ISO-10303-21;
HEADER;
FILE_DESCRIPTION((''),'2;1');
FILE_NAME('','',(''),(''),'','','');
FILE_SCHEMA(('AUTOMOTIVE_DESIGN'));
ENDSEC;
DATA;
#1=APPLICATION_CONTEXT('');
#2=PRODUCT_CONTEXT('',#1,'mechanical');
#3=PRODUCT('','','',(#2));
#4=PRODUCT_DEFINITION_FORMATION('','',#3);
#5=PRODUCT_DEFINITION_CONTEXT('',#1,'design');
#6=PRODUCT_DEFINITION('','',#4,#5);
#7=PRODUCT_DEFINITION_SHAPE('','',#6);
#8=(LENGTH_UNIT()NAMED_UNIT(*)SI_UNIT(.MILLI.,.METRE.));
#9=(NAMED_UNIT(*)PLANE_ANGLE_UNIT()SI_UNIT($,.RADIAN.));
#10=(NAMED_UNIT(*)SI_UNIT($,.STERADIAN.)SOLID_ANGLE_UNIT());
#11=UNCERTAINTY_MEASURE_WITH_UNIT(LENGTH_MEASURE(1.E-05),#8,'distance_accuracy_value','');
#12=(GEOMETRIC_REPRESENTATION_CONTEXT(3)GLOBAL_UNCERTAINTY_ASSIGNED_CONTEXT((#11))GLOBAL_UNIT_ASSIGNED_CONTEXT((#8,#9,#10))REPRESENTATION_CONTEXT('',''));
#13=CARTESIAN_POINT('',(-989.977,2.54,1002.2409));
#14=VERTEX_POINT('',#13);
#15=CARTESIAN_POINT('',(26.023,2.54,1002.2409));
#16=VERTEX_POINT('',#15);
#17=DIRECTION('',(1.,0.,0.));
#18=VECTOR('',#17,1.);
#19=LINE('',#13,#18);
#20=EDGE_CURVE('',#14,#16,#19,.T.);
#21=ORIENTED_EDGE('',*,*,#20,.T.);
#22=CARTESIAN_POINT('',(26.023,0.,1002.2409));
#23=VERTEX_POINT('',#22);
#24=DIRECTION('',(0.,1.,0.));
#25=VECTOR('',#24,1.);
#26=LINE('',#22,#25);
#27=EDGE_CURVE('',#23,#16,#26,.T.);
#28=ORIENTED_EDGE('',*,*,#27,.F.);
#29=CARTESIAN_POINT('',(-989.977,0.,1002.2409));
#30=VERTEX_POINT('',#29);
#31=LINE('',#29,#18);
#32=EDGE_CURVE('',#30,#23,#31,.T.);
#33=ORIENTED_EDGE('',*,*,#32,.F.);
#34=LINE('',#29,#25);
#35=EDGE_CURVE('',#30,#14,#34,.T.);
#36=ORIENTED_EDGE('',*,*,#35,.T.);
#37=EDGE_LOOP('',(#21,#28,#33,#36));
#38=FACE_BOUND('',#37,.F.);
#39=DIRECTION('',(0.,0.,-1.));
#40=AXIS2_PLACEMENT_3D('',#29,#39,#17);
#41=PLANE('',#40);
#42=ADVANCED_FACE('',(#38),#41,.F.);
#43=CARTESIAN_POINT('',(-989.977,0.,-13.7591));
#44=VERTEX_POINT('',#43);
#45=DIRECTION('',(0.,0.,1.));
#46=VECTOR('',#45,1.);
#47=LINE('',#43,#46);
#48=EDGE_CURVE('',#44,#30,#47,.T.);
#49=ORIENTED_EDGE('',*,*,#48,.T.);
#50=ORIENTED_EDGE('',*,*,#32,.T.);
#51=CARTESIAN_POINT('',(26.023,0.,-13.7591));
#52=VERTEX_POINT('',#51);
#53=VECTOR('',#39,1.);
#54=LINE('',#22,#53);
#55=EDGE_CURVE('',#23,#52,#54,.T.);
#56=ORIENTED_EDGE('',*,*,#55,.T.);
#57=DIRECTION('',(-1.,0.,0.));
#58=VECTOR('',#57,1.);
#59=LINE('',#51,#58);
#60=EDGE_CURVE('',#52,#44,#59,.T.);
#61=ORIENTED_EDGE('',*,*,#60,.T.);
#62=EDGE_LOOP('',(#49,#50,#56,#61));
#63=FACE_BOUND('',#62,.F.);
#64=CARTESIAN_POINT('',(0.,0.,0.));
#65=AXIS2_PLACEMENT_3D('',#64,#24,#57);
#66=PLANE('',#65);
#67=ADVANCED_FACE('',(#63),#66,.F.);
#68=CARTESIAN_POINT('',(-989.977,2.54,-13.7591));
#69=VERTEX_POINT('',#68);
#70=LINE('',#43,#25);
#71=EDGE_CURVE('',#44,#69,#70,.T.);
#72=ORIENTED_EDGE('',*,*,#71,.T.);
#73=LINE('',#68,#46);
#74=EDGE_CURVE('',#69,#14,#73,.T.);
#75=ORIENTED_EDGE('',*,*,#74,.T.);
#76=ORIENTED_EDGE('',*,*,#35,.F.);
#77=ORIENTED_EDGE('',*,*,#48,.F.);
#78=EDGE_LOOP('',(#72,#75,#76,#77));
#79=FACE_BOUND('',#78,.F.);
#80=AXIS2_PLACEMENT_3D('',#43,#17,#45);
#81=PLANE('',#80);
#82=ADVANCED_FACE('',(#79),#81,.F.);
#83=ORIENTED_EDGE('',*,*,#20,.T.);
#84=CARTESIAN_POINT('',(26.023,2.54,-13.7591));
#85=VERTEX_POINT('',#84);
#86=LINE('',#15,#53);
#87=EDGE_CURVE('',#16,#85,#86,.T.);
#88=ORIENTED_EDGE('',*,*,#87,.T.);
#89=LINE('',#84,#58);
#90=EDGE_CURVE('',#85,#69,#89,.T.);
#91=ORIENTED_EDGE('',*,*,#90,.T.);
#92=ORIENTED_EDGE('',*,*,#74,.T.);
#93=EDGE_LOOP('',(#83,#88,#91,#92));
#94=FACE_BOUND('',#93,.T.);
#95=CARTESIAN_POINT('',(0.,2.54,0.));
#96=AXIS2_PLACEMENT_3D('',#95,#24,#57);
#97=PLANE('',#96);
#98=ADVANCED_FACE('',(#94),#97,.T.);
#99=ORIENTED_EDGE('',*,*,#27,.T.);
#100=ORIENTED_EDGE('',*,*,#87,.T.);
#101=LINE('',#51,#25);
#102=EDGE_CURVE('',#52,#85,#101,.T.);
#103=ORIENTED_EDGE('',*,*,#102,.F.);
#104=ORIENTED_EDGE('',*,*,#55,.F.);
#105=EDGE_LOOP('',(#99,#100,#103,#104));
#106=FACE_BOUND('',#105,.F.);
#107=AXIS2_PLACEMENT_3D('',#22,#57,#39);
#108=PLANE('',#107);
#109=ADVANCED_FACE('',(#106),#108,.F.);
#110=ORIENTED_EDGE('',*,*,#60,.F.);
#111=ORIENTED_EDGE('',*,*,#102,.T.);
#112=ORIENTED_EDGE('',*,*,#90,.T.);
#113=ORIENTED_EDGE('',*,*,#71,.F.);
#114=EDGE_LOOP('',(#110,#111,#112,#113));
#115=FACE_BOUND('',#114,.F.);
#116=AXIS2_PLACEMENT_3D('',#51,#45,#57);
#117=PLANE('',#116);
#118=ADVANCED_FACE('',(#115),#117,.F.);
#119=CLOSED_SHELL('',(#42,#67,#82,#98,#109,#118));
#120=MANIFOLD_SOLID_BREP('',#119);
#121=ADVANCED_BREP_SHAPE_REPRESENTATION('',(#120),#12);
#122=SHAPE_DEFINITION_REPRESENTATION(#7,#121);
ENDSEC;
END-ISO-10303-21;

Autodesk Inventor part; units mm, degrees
ref_plane "YZ Plane" through (0, 0, 0) normal (1, 0, 0) x (0, 1, 0)
ref_plane "XZ Plane" through (0, 0, 0) normal (0, 1, 0) x (-1, 0, 0)
ref_plane "XY Plane" through (0, 0, 0) normal (0, 0, 1) x (1, 0, 0)
sketch "Sketch1" plane through (0, 0, 0) normal (0, 1, 0) x (-1, 0, 0)
  line L0 (-26.023, -13.7591) -> (989.977, -13.7591)
  line L1 (989.977, -13.7591) -> (989.977, 1002.2409)
  line L2 (989.977, 1002.2409) -> (-26.023, 1002.2409)
  line L3 (-26.023, 1002.2409) -> (-26.023, -13.7591)
  point P0 (0, 0)
  dimension "d0" = 1016
  dimension "d1" = 1016
extrude "Extrusion1" add sketch "Sketch1" along normal blind 2.54
properties part number "Ground"
